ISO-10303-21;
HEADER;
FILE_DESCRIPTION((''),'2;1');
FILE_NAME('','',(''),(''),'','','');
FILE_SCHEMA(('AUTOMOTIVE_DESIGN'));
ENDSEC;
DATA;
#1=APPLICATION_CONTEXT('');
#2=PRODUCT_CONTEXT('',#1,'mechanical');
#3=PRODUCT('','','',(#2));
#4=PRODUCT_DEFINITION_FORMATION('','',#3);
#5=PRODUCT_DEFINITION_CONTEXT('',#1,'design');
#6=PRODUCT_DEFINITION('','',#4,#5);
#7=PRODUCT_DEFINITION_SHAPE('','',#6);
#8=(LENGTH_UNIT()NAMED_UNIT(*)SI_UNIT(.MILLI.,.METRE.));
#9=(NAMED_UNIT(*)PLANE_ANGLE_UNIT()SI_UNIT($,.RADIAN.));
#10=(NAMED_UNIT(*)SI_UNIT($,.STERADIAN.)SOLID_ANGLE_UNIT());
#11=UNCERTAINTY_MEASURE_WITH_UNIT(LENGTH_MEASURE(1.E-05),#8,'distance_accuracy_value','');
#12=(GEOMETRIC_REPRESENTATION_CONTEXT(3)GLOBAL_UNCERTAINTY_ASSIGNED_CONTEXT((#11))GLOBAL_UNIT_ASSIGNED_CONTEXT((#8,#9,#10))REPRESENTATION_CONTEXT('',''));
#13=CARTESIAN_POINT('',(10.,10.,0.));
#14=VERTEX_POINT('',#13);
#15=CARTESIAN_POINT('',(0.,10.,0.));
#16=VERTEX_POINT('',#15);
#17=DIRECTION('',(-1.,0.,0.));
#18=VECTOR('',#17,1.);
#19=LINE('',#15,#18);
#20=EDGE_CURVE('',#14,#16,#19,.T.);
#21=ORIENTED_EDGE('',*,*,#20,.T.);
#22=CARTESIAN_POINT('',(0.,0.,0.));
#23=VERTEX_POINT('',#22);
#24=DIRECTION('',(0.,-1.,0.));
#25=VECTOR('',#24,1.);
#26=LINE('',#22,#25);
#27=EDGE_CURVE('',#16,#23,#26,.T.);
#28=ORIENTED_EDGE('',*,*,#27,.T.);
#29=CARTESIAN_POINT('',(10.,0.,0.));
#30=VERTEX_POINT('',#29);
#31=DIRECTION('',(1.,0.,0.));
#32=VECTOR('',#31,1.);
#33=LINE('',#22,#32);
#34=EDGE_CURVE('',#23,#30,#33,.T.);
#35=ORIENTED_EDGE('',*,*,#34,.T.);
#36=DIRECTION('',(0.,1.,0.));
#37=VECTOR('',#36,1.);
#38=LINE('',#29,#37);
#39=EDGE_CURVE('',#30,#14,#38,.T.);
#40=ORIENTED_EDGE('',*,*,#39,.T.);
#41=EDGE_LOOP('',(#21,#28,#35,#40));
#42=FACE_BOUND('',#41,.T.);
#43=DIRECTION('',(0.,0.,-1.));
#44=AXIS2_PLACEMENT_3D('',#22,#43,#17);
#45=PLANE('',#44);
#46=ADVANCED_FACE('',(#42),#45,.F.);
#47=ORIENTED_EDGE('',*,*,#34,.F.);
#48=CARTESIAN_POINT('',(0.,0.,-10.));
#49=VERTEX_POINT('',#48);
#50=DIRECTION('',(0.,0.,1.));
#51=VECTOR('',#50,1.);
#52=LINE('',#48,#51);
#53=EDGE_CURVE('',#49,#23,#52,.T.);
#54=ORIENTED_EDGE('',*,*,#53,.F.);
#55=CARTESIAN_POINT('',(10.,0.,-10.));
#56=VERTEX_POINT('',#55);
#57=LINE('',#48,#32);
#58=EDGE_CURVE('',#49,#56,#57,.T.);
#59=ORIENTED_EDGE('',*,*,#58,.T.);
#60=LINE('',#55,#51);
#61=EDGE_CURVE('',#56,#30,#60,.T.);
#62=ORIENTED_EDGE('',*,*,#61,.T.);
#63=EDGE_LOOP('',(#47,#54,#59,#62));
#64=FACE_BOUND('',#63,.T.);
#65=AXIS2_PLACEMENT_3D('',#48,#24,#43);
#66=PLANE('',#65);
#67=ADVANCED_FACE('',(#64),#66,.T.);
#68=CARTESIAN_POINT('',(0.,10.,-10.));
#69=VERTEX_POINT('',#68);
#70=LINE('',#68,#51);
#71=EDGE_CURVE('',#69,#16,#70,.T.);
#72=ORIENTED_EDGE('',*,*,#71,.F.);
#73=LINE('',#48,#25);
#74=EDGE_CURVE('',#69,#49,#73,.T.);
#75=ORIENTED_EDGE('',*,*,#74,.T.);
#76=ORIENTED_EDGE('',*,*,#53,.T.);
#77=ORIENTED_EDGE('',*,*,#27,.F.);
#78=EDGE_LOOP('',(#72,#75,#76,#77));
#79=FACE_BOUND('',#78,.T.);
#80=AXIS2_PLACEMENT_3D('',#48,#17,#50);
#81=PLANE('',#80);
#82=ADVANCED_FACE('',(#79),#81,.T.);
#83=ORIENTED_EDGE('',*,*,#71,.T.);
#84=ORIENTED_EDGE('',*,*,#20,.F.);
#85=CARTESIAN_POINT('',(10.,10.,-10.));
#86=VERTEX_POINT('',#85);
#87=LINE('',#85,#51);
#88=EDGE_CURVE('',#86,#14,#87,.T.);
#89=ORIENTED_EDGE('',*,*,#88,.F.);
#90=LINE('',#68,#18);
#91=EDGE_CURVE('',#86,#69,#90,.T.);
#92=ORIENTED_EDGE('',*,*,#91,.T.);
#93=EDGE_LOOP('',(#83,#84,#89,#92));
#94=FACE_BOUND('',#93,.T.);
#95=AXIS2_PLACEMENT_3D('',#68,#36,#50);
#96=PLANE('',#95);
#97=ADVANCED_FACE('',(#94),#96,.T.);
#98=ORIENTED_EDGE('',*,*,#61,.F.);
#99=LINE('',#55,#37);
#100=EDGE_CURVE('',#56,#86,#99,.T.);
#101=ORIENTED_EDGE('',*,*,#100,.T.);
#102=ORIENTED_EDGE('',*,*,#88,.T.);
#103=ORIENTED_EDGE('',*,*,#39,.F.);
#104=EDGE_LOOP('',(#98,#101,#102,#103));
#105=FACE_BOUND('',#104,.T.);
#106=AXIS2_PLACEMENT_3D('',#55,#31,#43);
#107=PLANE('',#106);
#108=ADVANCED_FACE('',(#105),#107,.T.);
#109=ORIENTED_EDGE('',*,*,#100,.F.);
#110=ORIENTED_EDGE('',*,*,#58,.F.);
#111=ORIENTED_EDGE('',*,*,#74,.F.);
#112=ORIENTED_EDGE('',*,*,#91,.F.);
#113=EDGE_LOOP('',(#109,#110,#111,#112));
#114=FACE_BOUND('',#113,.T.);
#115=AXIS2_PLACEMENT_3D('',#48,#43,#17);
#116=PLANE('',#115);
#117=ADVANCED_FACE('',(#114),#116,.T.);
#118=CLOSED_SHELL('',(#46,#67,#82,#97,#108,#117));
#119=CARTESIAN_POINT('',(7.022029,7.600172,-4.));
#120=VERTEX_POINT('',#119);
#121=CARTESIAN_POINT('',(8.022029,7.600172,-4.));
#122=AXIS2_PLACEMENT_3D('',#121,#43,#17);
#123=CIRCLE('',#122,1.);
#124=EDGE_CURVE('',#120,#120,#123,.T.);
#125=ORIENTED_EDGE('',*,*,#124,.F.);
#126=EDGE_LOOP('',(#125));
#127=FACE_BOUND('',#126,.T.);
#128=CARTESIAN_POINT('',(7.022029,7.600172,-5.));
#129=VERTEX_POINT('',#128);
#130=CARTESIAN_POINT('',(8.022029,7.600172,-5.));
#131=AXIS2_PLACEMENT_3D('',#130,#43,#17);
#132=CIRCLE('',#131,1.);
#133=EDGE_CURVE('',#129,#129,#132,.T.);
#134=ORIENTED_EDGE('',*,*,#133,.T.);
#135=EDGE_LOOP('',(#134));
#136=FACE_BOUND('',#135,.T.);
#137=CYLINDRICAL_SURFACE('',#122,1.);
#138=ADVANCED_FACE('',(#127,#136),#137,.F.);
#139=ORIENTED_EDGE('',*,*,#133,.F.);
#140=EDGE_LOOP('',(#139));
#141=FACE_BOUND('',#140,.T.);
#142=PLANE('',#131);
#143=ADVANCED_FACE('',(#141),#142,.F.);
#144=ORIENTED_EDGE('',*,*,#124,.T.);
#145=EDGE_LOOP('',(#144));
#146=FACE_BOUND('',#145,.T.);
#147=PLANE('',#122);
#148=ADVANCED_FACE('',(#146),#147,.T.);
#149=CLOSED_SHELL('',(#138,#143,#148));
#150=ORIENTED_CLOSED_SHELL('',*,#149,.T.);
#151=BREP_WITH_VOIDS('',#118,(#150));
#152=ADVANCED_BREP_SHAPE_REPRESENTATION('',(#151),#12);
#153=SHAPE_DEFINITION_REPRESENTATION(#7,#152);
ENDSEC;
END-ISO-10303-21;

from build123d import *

# Parameters (mm, degrees)
SKETCH1_W           = 10
SKETCH1_H           = 10
BOSS_EXTRUDE1_DEPTH = 10
SKETCH3_R           = 1
CUT_EXTRUDE1_DEPTH  = 1


with BuildPart() as part:
    # Sketch1 → Boss-Extrude1 (new body)
    with BuildSketch(Plane.XY):
        with Locations((5, 5)):
            Rectangle(SKETCH1_W, SKETCH1_H)
    extrude(amount=-BOSS_EXTRUDE1_DEPTH)

    # Sketch3 → Cut-Extrude1 (cut)
    with BuildSketch(Plane(origin=(0, 0, -5), x_dir=(-1, 0, 0), z_dir=(0, 0, -1))):
        with Locations((-8.022028726, 7.600171924)):
            Circle(SKETCH3_R)
    extrude(amount=-CUT_EXTRUDE1_DEPTH, mode=Mode.SUBTRACT)


solid = part.part
